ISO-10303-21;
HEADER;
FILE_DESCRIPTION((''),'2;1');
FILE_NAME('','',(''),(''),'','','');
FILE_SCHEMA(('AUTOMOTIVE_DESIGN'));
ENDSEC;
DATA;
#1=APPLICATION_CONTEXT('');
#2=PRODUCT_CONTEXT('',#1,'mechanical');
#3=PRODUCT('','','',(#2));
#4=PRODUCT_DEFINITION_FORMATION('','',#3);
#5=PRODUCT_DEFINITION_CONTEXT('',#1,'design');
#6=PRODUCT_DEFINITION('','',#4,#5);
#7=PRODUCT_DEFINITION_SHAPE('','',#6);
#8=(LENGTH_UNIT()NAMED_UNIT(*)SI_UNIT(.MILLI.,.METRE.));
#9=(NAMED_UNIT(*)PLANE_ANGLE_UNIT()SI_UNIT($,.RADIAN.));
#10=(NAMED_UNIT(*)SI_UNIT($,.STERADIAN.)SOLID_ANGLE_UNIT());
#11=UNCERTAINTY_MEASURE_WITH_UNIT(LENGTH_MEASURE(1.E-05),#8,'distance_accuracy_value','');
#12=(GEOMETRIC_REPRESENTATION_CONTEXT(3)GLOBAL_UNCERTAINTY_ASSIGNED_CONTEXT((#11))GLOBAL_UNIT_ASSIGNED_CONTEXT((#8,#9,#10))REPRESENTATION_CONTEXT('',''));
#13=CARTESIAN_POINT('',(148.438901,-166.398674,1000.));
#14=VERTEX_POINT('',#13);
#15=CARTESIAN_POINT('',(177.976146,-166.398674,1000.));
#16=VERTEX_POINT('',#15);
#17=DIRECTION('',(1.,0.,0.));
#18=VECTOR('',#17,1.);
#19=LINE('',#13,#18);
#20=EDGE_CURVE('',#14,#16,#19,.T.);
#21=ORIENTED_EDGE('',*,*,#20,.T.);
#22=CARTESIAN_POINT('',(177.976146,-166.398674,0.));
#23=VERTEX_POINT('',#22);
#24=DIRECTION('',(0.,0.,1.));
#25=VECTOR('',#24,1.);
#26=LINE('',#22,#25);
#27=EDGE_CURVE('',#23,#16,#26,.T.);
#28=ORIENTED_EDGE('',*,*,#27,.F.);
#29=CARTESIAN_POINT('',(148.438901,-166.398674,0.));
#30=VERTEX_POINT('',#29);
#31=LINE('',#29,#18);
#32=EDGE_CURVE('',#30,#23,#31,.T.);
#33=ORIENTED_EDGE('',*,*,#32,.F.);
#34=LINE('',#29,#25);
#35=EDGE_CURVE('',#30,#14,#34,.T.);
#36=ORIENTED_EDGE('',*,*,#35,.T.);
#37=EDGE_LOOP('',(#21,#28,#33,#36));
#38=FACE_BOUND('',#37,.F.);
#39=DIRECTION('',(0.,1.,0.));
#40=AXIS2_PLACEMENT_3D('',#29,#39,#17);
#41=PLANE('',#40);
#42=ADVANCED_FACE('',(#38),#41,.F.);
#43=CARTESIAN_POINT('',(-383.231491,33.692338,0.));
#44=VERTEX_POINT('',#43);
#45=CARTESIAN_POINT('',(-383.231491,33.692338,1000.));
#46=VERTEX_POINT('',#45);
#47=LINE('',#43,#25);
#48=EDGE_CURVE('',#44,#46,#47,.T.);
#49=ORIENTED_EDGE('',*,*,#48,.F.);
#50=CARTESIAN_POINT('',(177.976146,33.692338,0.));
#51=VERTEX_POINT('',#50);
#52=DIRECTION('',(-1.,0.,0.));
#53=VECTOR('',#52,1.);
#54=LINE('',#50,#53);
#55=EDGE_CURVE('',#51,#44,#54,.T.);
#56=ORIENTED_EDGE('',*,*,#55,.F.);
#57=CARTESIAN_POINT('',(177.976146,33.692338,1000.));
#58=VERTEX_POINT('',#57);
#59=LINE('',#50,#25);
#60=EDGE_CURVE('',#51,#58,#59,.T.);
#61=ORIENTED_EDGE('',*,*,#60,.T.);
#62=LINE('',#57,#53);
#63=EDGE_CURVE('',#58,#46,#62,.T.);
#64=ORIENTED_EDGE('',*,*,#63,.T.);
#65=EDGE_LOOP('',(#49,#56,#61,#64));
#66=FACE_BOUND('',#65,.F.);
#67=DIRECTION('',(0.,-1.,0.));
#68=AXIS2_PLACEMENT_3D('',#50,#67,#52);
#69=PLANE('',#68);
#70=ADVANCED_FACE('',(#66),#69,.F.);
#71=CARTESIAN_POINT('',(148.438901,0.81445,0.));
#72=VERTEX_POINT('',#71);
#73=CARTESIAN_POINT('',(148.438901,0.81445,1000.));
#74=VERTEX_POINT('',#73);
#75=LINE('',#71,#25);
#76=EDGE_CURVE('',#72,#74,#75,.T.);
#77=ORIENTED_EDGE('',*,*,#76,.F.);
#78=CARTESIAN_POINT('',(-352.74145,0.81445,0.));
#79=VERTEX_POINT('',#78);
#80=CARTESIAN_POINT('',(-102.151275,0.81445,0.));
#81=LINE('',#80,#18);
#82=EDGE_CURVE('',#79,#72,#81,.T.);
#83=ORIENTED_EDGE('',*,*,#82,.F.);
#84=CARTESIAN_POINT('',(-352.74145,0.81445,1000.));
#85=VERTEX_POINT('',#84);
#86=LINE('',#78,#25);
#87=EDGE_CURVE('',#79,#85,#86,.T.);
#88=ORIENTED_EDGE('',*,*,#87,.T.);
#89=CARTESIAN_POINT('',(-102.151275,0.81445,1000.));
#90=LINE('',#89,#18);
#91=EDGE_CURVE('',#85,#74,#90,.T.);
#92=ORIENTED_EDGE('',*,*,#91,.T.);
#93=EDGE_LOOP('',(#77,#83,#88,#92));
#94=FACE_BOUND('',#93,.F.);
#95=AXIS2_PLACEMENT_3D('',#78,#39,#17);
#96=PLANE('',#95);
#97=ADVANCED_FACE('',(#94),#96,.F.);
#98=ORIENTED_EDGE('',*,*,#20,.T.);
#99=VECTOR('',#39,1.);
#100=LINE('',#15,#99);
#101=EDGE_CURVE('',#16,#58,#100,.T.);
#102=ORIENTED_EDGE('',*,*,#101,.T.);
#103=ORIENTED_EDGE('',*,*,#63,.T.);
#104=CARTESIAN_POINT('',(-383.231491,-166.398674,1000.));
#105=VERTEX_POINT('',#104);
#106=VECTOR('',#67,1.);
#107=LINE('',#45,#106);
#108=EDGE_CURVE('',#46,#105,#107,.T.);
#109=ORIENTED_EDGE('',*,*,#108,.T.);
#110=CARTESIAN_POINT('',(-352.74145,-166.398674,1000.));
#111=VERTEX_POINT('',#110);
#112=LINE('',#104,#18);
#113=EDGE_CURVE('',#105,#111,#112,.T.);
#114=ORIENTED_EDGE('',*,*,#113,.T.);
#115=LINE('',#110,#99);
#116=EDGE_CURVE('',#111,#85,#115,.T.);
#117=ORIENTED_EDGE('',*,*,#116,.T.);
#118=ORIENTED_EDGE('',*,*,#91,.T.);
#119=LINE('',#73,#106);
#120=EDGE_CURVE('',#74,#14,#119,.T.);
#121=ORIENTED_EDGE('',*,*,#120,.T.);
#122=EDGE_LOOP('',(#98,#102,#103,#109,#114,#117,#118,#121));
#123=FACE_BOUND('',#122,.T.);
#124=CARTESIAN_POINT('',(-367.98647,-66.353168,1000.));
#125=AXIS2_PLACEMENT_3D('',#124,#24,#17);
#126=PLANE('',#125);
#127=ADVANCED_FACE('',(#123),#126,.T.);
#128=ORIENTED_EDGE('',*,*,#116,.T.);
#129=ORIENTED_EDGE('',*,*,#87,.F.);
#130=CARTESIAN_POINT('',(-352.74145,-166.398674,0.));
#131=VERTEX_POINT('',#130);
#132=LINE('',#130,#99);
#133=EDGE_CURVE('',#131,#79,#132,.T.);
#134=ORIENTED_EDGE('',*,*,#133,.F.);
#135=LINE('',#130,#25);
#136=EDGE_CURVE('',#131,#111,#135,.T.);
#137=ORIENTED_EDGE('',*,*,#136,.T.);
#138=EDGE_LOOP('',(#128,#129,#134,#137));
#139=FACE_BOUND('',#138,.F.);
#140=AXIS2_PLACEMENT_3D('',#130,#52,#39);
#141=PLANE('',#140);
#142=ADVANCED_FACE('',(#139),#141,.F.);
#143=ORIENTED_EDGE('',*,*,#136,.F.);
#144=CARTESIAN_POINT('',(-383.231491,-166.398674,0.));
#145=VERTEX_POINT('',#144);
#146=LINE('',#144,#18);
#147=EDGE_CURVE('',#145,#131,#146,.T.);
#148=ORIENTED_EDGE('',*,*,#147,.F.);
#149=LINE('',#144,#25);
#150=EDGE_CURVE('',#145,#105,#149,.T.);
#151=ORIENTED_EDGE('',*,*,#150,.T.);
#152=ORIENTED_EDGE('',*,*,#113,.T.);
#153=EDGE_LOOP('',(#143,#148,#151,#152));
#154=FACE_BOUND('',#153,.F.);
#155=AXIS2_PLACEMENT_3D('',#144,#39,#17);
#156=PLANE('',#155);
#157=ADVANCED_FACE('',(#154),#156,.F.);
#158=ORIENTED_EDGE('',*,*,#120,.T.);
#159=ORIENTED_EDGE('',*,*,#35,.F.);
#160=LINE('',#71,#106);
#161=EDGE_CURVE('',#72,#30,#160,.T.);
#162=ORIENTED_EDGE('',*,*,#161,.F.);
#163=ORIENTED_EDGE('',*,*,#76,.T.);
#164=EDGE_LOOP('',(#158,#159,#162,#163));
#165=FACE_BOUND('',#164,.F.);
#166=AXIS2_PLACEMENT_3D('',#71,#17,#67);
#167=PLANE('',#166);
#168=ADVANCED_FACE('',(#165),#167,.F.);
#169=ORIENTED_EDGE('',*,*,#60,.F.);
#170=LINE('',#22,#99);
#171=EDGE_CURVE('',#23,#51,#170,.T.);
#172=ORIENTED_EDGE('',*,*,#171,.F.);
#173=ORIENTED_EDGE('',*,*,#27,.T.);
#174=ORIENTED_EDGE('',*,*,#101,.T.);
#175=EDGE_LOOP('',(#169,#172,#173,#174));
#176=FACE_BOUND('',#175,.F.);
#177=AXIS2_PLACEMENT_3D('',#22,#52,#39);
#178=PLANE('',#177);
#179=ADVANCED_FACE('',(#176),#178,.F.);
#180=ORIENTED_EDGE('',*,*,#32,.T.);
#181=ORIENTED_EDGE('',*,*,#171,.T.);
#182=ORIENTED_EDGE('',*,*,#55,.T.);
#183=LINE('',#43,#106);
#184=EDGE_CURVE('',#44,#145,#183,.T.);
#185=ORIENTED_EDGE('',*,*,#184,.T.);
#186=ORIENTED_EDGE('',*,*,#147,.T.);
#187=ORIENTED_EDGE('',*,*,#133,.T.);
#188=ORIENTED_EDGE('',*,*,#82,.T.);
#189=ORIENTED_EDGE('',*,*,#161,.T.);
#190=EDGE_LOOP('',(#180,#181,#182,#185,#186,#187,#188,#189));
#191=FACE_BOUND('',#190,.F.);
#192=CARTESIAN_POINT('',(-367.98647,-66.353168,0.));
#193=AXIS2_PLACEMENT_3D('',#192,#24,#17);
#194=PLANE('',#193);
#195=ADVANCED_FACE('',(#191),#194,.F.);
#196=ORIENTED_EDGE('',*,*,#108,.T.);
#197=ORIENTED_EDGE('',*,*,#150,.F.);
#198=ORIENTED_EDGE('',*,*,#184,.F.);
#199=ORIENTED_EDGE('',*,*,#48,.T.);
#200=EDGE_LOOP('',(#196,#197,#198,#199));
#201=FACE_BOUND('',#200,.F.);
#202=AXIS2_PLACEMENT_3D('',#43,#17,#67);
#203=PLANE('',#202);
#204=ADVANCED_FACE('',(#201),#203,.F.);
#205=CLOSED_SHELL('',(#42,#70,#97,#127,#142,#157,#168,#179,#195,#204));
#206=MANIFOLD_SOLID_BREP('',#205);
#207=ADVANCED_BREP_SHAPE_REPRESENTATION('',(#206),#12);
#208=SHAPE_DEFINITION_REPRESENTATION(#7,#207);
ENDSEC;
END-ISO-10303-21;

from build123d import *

# Parameters (mm, degrees)
F0_W     = 501.1803507805
F0_H     = 32.8778875992
F1_DEPTH = 1000


with BuildPart() as f1:
    # F0 (on Top) → F1 (new body)
    with BuildSketch(Plane.XY):
        Polygon((-352.7414500713, 0.8144499734), (-352.7414500713, 33.6923375726), (-383.2314908504, 33.6923375726), (-383.2314908504, -166.3986742496), (-352.7414500713, -166.3986742496), align=None)
        with Locations((-102.1512746811, 17.253393773)):
            Rectangle(F0_W, F0_H)
        Polygon((177.9761463404, 33.6923375726), (148.4389007092, 33.6923375726), (148.4389007092, 0.8144499734), (148.4389007092, -166.3986742496), (177.9761463404, -166.3986742496), align=None)
    extrude(amount=F1_DEPTH)


solid = f1.part
